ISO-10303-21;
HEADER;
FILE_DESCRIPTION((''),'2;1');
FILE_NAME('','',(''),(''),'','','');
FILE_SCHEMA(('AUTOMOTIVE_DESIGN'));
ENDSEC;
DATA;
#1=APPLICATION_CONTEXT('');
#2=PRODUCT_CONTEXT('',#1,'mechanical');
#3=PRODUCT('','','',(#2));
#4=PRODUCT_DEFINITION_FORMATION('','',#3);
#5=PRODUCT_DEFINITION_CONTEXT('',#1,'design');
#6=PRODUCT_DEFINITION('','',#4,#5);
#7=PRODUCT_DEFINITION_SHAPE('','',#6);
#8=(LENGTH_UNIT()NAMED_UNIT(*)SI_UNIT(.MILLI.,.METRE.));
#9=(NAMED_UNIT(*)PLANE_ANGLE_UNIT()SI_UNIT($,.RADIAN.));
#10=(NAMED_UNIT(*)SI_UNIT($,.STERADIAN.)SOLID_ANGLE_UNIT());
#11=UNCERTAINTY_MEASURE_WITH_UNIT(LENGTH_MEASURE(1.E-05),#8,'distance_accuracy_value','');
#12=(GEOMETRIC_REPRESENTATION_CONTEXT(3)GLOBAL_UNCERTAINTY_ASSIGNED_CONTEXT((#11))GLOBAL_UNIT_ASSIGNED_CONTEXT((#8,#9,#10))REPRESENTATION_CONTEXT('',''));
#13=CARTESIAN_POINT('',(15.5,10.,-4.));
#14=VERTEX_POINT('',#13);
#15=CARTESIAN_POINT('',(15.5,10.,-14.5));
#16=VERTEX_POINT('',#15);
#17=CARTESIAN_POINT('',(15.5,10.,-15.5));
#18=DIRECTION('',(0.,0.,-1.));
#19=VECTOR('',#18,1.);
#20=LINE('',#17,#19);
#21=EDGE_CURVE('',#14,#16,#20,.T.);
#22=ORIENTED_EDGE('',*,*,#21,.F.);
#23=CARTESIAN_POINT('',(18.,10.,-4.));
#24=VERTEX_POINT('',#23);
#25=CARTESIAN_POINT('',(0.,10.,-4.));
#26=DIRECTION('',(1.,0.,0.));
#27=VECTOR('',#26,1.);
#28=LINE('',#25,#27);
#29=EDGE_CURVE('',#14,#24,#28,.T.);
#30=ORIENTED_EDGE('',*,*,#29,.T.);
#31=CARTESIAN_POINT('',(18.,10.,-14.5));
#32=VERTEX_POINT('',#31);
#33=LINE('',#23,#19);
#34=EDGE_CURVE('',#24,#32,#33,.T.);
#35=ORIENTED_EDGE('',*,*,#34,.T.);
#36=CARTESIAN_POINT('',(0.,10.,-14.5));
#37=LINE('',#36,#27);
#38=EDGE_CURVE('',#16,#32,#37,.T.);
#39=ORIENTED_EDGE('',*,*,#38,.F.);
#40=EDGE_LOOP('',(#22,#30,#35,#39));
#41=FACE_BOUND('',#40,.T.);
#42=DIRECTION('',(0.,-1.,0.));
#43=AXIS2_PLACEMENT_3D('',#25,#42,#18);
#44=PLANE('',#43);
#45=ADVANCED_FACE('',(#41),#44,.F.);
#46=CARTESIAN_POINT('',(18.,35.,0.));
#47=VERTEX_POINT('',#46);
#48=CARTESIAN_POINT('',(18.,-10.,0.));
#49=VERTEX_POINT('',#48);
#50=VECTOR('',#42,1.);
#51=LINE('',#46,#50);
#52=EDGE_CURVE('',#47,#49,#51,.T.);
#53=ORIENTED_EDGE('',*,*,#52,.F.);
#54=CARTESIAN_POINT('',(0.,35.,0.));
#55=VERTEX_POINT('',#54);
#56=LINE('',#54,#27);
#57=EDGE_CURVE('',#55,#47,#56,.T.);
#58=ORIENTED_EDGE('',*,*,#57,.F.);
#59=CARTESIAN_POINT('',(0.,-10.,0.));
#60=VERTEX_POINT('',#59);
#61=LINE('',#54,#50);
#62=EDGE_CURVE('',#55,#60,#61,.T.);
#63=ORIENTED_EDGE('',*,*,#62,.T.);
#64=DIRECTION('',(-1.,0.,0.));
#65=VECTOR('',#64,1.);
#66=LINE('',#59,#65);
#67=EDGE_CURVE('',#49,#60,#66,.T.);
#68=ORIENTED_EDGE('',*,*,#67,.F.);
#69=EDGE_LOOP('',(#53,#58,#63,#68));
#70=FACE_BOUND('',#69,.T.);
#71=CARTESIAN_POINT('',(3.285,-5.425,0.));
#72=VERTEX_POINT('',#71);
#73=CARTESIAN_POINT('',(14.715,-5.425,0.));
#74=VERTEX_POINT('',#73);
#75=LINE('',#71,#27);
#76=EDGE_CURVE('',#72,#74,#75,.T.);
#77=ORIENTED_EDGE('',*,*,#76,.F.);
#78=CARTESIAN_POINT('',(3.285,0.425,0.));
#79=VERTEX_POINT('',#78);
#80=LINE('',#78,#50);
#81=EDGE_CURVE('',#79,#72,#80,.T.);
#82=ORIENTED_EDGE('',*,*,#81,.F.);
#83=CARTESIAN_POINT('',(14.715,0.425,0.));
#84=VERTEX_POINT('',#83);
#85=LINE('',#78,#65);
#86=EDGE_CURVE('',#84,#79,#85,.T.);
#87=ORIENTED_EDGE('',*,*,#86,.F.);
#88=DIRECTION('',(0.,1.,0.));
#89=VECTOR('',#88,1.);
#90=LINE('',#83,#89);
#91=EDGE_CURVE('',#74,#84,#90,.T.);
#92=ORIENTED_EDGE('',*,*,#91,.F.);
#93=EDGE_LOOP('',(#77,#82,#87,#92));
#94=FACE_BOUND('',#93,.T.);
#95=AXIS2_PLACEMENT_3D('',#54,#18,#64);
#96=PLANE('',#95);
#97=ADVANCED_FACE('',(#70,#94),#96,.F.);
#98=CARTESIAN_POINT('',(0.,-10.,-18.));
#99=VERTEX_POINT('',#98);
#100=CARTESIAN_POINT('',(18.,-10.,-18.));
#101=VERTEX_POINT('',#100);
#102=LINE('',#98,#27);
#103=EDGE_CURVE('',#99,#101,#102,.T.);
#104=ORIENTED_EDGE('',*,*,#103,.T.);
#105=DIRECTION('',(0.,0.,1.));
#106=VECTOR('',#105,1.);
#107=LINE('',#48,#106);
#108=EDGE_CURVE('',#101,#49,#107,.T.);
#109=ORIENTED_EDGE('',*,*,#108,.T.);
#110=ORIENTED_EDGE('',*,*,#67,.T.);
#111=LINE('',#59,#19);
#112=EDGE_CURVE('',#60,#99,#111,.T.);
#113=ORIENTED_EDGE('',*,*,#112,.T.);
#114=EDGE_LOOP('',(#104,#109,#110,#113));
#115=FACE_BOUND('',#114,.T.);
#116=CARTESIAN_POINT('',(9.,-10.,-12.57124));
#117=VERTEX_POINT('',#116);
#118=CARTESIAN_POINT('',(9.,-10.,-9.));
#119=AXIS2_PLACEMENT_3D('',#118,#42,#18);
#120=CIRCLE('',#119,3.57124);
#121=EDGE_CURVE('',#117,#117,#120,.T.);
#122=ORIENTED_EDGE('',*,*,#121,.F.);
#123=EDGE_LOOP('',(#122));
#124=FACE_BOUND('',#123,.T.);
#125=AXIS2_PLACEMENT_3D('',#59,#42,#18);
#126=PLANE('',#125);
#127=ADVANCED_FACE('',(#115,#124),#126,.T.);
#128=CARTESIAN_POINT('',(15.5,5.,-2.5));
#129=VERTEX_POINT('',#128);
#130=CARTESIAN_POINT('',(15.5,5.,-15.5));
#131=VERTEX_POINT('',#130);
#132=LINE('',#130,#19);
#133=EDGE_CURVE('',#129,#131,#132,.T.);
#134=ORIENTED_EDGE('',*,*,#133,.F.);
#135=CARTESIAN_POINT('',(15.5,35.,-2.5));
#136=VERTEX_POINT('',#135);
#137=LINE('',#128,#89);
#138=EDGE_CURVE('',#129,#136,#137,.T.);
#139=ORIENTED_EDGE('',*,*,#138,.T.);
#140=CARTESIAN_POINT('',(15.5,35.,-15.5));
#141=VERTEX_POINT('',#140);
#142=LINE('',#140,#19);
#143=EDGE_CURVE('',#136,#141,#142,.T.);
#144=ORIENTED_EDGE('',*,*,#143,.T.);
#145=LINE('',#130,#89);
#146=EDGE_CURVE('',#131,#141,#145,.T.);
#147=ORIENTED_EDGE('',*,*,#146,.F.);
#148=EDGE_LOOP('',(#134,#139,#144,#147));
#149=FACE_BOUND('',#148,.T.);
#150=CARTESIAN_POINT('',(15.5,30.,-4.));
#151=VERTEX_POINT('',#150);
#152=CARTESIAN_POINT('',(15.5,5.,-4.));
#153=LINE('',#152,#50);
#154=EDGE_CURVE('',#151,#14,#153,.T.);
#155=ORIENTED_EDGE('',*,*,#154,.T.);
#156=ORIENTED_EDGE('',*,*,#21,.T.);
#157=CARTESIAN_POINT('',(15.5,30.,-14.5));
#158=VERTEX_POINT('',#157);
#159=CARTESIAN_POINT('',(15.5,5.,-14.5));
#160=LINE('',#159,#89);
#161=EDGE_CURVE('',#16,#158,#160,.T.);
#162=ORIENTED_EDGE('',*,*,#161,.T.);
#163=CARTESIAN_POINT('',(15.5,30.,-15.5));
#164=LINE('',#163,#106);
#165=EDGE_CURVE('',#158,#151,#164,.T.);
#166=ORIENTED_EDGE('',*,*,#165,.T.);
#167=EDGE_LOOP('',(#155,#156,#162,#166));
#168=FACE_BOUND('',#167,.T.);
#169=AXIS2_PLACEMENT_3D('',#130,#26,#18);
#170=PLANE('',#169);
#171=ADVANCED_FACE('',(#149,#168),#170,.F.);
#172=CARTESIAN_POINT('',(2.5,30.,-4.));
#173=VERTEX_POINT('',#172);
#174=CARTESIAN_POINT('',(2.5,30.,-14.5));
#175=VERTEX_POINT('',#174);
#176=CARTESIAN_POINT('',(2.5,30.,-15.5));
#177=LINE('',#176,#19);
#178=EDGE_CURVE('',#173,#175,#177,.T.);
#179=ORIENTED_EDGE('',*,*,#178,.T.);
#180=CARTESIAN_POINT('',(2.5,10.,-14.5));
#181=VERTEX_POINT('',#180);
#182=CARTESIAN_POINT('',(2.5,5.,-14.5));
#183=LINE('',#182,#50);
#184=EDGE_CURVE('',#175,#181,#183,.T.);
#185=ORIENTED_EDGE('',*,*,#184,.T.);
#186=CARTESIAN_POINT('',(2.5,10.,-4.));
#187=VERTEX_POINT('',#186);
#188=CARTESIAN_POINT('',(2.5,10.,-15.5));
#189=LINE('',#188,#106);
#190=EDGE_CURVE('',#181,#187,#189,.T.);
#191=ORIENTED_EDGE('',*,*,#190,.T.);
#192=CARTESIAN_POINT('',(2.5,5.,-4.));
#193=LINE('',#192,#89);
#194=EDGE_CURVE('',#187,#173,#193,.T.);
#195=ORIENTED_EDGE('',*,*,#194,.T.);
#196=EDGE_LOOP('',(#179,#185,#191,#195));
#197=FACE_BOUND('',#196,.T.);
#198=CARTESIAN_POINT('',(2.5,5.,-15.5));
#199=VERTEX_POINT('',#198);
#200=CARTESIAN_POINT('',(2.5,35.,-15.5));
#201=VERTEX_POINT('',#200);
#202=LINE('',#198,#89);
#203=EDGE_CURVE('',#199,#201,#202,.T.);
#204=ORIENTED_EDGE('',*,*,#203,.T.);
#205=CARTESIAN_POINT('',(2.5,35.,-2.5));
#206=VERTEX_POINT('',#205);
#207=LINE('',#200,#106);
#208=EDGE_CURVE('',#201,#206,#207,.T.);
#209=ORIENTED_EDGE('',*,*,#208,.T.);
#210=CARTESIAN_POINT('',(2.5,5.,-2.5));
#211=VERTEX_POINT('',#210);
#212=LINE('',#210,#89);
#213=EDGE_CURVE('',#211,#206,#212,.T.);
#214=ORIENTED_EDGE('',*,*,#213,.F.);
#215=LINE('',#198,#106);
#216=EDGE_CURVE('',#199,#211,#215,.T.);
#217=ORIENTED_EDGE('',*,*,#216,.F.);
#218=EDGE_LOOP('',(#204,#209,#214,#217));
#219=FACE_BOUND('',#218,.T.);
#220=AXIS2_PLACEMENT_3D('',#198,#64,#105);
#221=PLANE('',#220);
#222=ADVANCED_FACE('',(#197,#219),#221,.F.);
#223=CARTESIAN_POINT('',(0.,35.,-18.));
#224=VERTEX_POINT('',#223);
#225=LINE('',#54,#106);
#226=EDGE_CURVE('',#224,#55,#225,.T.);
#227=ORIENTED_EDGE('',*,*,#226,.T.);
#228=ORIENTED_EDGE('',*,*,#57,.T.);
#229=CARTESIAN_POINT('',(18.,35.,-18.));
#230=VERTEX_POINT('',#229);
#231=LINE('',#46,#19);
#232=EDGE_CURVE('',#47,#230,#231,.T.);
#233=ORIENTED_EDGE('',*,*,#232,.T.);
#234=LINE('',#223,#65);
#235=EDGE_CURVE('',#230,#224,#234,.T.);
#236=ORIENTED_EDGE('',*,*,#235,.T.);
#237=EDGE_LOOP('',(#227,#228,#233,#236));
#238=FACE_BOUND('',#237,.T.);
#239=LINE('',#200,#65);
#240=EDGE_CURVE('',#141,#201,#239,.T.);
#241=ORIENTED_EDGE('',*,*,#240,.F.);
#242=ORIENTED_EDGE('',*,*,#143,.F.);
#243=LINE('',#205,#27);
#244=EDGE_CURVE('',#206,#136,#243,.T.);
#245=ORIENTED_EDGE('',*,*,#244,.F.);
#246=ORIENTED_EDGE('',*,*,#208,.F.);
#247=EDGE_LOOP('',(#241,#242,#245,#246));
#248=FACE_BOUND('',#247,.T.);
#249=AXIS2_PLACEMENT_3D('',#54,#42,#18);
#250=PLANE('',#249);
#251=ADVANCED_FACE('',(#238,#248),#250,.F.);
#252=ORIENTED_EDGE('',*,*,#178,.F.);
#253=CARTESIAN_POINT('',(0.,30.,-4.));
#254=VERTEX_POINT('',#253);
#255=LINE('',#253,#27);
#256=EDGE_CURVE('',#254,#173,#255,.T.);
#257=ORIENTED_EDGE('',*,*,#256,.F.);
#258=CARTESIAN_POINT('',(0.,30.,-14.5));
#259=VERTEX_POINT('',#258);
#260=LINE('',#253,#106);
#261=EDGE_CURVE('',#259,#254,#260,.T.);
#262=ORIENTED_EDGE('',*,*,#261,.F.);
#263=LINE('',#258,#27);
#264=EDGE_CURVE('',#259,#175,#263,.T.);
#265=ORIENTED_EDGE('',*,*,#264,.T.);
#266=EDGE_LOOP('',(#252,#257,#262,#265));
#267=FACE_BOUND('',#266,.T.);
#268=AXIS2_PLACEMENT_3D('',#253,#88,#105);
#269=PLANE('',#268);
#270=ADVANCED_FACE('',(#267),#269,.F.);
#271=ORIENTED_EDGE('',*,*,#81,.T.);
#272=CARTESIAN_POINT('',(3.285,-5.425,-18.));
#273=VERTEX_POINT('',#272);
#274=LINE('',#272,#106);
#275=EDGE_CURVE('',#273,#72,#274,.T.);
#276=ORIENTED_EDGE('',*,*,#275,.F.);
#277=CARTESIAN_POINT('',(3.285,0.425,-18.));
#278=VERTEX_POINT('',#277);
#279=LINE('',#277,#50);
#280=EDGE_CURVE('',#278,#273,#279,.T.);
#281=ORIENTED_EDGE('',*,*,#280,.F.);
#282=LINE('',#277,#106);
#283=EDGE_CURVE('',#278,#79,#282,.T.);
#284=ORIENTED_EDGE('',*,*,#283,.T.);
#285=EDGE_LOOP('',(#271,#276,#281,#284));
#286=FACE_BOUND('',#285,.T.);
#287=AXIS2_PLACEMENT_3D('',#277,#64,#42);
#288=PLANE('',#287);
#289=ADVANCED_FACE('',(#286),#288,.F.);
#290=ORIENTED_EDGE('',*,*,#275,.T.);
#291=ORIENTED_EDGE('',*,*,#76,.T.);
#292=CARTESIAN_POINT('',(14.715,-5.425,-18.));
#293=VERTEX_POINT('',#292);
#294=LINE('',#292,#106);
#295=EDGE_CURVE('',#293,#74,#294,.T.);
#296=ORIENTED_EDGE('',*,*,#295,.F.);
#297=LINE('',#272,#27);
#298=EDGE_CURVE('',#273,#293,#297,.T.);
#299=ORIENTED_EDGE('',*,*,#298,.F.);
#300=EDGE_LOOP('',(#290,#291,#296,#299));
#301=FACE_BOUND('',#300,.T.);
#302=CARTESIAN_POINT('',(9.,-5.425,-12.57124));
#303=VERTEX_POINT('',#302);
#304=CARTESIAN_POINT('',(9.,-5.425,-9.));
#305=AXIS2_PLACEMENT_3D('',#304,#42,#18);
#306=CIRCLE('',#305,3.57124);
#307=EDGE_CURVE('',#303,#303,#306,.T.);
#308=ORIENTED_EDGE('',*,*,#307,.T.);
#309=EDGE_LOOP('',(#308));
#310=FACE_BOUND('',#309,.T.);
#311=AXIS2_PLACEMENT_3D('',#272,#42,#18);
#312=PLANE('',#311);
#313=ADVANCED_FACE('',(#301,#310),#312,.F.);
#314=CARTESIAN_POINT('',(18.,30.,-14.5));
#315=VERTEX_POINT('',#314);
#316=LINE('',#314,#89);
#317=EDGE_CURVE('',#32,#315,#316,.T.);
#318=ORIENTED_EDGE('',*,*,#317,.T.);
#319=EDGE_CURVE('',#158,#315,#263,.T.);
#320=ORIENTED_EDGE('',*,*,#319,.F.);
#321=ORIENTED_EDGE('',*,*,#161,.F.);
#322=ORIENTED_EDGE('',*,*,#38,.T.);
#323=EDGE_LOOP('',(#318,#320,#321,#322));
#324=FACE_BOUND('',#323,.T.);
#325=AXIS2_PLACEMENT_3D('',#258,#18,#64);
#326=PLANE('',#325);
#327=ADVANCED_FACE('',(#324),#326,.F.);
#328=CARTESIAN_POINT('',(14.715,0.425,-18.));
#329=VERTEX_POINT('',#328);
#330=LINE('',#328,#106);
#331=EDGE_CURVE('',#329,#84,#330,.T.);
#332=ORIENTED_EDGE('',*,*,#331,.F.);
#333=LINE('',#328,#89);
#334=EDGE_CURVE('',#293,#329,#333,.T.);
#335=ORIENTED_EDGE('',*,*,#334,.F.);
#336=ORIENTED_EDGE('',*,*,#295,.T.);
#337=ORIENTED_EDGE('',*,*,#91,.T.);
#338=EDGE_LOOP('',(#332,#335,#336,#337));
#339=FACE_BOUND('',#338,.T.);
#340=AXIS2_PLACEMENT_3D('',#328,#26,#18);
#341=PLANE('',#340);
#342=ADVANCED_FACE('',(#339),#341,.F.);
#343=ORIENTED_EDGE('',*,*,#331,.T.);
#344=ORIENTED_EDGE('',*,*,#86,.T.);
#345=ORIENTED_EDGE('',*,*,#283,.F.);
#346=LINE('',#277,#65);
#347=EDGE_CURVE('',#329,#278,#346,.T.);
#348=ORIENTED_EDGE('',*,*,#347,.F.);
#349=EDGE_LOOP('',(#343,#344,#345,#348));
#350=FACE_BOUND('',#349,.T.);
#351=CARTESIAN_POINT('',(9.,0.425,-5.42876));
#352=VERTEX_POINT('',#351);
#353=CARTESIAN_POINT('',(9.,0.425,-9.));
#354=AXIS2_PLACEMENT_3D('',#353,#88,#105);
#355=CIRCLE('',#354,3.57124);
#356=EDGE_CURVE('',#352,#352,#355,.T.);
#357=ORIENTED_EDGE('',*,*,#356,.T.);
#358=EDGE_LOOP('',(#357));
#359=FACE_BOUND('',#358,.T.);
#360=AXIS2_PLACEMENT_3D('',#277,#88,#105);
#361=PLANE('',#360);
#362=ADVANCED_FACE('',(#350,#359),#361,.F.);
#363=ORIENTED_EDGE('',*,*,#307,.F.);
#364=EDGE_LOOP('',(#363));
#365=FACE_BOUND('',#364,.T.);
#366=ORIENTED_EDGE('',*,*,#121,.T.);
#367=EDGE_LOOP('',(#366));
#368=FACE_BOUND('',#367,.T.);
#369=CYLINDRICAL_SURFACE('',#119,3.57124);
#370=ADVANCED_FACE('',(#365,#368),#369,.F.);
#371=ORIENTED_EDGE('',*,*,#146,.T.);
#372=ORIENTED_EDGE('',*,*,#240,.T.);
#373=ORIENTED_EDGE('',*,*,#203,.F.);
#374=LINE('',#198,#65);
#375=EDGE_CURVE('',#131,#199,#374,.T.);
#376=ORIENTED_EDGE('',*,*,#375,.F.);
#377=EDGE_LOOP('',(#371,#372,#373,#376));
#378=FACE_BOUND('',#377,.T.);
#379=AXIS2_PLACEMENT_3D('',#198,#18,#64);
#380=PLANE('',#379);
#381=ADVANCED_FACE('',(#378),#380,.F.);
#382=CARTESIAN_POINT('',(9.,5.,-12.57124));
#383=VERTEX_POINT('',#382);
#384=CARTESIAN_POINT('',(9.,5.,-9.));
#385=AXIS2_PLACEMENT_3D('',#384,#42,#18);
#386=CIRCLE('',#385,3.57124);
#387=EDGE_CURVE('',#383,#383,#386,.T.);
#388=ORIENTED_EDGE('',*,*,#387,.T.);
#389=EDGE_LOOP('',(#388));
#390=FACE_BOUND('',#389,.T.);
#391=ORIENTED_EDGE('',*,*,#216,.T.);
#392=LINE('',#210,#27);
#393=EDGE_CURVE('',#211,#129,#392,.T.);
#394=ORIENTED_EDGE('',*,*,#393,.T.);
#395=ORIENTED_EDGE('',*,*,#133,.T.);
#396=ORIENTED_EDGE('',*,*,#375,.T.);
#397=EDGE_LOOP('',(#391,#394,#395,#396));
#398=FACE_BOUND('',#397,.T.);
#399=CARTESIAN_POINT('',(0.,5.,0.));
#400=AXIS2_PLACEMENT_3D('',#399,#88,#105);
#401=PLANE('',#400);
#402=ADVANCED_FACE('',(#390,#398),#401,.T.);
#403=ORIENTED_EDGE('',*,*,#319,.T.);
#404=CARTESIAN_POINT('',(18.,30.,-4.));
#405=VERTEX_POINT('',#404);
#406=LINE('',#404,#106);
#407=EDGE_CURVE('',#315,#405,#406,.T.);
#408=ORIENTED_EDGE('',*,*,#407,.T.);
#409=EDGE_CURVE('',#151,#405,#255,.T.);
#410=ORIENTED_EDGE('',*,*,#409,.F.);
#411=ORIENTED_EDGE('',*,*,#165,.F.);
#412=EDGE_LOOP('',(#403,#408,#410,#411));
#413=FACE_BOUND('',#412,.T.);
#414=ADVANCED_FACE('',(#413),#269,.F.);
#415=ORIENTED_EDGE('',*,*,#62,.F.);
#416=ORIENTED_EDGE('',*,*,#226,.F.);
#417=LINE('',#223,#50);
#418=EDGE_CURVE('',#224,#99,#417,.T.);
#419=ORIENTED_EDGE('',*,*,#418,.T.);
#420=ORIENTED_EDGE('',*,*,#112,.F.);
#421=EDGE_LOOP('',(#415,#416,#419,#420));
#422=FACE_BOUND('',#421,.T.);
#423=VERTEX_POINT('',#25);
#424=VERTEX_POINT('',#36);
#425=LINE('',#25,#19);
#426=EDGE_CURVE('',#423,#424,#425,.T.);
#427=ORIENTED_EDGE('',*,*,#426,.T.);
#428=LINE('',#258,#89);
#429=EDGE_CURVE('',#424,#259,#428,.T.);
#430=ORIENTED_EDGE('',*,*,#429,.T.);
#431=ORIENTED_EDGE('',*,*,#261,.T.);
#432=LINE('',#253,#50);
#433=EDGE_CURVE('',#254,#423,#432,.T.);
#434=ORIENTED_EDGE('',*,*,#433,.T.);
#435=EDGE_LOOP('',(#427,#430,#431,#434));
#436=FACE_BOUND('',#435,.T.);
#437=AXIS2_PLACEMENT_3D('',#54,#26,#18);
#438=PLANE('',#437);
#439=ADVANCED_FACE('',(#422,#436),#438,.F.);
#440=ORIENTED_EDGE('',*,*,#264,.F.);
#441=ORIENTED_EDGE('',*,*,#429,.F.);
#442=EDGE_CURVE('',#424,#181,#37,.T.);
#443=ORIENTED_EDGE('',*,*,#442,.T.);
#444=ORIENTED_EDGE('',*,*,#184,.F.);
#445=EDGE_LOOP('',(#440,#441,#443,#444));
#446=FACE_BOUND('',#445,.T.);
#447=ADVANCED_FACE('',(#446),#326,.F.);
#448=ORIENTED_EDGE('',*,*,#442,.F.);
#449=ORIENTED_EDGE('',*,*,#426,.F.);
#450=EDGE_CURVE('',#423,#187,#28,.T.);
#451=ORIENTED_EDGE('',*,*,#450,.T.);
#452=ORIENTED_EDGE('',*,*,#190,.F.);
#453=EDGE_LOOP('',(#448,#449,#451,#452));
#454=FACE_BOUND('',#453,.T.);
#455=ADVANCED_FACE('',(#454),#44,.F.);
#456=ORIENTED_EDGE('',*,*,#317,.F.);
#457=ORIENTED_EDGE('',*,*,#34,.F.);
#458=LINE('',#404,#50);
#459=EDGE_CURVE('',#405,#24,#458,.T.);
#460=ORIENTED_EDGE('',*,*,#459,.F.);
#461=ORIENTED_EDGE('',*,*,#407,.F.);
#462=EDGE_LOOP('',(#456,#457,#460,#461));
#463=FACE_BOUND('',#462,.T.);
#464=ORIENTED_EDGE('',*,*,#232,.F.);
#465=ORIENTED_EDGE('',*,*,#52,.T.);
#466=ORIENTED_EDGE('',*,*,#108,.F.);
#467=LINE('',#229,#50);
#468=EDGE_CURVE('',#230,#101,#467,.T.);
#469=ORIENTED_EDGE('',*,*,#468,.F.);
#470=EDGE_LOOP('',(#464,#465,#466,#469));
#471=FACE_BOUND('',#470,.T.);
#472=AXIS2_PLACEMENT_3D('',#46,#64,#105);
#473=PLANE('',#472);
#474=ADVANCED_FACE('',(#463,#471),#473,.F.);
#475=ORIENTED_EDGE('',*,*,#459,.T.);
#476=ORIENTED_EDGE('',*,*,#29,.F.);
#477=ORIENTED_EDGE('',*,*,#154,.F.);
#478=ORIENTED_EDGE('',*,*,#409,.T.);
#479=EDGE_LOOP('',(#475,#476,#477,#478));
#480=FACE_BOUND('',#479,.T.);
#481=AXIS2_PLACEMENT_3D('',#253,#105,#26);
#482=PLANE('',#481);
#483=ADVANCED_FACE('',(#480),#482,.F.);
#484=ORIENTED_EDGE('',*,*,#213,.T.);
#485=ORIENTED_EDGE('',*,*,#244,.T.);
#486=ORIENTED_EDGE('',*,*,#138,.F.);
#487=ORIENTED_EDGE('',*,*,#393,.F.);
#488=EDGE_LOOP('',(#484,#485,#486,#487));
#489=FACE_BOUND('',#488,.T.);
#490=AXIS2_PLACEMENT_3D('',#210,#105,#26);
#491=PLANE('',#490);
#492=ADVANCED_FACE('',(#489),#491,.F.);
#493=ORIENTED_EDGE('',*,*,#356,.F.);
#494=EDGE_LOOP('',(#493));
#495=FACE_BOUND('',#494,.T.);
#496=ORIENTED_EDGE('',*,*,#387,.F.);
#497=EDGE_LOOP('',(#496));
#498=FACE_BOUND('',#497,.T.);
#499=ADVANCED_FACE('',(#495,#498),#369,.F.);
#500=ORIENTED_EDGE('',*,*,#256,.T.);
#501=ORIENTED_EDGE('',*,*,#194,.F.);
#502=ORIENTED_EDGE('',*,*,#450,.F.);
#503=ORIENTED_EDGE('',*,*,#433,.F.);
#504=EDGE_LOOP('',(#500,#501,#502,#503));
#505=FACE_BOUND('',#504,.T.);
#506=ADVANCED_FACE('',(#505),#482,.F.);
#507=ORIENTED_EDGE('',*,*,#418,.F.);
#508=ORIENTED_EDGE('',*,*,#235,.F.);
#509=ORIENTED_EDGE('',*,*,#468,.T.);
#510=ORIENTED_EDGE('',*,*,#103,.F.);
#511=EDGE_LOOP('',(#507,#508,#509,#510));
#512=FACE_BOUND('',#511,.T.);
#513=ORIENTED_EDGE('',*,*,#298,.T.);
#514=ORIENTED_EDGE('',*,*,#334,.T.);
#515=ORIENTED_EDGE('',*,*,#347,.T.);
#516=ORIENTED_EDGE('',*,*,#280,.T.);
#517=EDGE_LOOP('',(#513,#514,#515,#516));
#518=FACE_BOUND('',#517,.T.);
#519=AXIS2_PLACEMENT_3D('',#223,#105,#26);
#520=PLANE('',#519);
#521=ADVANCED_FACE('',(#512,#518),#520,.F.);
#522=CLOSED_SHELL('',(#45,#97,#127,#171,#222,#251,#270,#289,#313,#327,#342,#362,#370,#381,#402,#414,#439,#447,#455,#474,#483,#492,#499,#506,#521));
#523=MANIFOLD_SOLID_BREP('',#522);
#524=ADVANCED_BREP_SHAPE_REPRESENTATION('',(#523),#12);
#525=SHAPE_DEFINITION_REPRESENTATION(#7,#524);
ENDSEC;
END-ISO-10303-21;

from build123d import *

# Parameters (mm, degrees)
SKETCH1_W                   = 18
SKETCH1_H                   = 18
BOSS_EXTRUDE1_DEPTH         = 35
SKETCH5_W                   = 13
SKETCH5_H                   = 13
CUT_EXTRUDE1_DEPTH          = 30
SKETCH7_W                   = 10.5
SKETCH7_H                   = 20
CUT_EXTRUDE3_DEPTH          = 44.278170017
SKETCH8_W                   = 18
SKETCH8_H                   = 18
BOSS_EXTRUDE2_DEPTH         = 10
SKETCH9_W                   = 11.43
SKETCH9_H                   = 5.85
CUT_EXTRUDE4_DEPTH          = 44.278170017
F_1_4_CLEARANCE_HOLE1_D     = 7.14248
F_1_4_CLEARANCE_HOLE1_DEPTH = 15
F_1_4_CLEARANCE_HOLE1_TIP   = 2.145817477


with BuildPart() as part:
    # Sketch1 → Boss-Extrude1 (new body)
    with BuildSketch(Plane(origin=(0, 0, 0), x_dir=(1, 0, 0), z_dir=(0, 1, 0))):
        with Locations((9, 9)):
            Rectangle(SKETCH1_W, SKETCH1_H)
    extrude(amount=BOSS_EXTRUDE1_DEPTH)

    # Sketch5 → Cut-Extrude1 (cut)
    with BuildSketch(Plane(origin=(0, 35, 0), x_dir=(1, 0, 0), z_dir=(0, 1, 0))):
        with Locations((9, 9)):
            Rectangle(SKETCH5_W, SKETCH5_H)
    extrude(amount=-CUT_EXTRUDE1_DEPTH, mode=Mode.SUBTRACT)

    # Sketch7 → Cut-Extrude3 (cut, through all)
    with BuildSketch(Plane(origin=(18, 0, 0), x_dir=(0, 0, -1), z_dir=(1, 0, 0))):
        with Locations((9.25, 20)):
            Rectangle(SKETCH7_W, SKETCH7_H)
    extrude(amount=-CUT_EXTRUDE3_DEPTH, mode=Mode.SUBTRACT)

    # Sketch8 → Boss-Extrude2 (add)
    with BuildSketch(Plane.XZ):
        with Locations((9, -9)):
            Rectangle(SKETCH8_W, SKETCH8_H)
    extrude(amount=BOSS_EXTRUDE2_DEPTH)

    # Sketch9 → Cut-Extrude4 (cut, through all)
    with BuildSketch(Plane.XY):
        with Locations((9, -2.5)):
            Rectangle(SKETCH9_W, SKETCH9_H)
    extrude(amount=-CUT_EXTRUDE4_DEPTH, mode=Mode.SUBTRACT)

    # 1/4 Clearance Hole1
    with Locations(Plane(origin=(0, -10, 0), x_dir=(-1, 0, 0), z_dir=(0, -1, 0))):
        with Locations((-9, 9)):
            Hole(F_1_4_CLEARANCE_HOLE1_D / 2, depth=F_1_4_CLEARANCE_HOLE1_DEPTH)
            with Locations((0, 0, -(F_1_4_CLEARANCE_HOLE1_DEPTH + F_1_4_CLEARANCE_HOLE1_TIP / 2))):  # 118° drill point
                Cone(0, F_1_4_CLEARANCE_HOLE1_D / 2, F_1_4_CLEARANCE_HOLE1_TIP, mode=Mode.SUBTRACT)


solid = part.part
